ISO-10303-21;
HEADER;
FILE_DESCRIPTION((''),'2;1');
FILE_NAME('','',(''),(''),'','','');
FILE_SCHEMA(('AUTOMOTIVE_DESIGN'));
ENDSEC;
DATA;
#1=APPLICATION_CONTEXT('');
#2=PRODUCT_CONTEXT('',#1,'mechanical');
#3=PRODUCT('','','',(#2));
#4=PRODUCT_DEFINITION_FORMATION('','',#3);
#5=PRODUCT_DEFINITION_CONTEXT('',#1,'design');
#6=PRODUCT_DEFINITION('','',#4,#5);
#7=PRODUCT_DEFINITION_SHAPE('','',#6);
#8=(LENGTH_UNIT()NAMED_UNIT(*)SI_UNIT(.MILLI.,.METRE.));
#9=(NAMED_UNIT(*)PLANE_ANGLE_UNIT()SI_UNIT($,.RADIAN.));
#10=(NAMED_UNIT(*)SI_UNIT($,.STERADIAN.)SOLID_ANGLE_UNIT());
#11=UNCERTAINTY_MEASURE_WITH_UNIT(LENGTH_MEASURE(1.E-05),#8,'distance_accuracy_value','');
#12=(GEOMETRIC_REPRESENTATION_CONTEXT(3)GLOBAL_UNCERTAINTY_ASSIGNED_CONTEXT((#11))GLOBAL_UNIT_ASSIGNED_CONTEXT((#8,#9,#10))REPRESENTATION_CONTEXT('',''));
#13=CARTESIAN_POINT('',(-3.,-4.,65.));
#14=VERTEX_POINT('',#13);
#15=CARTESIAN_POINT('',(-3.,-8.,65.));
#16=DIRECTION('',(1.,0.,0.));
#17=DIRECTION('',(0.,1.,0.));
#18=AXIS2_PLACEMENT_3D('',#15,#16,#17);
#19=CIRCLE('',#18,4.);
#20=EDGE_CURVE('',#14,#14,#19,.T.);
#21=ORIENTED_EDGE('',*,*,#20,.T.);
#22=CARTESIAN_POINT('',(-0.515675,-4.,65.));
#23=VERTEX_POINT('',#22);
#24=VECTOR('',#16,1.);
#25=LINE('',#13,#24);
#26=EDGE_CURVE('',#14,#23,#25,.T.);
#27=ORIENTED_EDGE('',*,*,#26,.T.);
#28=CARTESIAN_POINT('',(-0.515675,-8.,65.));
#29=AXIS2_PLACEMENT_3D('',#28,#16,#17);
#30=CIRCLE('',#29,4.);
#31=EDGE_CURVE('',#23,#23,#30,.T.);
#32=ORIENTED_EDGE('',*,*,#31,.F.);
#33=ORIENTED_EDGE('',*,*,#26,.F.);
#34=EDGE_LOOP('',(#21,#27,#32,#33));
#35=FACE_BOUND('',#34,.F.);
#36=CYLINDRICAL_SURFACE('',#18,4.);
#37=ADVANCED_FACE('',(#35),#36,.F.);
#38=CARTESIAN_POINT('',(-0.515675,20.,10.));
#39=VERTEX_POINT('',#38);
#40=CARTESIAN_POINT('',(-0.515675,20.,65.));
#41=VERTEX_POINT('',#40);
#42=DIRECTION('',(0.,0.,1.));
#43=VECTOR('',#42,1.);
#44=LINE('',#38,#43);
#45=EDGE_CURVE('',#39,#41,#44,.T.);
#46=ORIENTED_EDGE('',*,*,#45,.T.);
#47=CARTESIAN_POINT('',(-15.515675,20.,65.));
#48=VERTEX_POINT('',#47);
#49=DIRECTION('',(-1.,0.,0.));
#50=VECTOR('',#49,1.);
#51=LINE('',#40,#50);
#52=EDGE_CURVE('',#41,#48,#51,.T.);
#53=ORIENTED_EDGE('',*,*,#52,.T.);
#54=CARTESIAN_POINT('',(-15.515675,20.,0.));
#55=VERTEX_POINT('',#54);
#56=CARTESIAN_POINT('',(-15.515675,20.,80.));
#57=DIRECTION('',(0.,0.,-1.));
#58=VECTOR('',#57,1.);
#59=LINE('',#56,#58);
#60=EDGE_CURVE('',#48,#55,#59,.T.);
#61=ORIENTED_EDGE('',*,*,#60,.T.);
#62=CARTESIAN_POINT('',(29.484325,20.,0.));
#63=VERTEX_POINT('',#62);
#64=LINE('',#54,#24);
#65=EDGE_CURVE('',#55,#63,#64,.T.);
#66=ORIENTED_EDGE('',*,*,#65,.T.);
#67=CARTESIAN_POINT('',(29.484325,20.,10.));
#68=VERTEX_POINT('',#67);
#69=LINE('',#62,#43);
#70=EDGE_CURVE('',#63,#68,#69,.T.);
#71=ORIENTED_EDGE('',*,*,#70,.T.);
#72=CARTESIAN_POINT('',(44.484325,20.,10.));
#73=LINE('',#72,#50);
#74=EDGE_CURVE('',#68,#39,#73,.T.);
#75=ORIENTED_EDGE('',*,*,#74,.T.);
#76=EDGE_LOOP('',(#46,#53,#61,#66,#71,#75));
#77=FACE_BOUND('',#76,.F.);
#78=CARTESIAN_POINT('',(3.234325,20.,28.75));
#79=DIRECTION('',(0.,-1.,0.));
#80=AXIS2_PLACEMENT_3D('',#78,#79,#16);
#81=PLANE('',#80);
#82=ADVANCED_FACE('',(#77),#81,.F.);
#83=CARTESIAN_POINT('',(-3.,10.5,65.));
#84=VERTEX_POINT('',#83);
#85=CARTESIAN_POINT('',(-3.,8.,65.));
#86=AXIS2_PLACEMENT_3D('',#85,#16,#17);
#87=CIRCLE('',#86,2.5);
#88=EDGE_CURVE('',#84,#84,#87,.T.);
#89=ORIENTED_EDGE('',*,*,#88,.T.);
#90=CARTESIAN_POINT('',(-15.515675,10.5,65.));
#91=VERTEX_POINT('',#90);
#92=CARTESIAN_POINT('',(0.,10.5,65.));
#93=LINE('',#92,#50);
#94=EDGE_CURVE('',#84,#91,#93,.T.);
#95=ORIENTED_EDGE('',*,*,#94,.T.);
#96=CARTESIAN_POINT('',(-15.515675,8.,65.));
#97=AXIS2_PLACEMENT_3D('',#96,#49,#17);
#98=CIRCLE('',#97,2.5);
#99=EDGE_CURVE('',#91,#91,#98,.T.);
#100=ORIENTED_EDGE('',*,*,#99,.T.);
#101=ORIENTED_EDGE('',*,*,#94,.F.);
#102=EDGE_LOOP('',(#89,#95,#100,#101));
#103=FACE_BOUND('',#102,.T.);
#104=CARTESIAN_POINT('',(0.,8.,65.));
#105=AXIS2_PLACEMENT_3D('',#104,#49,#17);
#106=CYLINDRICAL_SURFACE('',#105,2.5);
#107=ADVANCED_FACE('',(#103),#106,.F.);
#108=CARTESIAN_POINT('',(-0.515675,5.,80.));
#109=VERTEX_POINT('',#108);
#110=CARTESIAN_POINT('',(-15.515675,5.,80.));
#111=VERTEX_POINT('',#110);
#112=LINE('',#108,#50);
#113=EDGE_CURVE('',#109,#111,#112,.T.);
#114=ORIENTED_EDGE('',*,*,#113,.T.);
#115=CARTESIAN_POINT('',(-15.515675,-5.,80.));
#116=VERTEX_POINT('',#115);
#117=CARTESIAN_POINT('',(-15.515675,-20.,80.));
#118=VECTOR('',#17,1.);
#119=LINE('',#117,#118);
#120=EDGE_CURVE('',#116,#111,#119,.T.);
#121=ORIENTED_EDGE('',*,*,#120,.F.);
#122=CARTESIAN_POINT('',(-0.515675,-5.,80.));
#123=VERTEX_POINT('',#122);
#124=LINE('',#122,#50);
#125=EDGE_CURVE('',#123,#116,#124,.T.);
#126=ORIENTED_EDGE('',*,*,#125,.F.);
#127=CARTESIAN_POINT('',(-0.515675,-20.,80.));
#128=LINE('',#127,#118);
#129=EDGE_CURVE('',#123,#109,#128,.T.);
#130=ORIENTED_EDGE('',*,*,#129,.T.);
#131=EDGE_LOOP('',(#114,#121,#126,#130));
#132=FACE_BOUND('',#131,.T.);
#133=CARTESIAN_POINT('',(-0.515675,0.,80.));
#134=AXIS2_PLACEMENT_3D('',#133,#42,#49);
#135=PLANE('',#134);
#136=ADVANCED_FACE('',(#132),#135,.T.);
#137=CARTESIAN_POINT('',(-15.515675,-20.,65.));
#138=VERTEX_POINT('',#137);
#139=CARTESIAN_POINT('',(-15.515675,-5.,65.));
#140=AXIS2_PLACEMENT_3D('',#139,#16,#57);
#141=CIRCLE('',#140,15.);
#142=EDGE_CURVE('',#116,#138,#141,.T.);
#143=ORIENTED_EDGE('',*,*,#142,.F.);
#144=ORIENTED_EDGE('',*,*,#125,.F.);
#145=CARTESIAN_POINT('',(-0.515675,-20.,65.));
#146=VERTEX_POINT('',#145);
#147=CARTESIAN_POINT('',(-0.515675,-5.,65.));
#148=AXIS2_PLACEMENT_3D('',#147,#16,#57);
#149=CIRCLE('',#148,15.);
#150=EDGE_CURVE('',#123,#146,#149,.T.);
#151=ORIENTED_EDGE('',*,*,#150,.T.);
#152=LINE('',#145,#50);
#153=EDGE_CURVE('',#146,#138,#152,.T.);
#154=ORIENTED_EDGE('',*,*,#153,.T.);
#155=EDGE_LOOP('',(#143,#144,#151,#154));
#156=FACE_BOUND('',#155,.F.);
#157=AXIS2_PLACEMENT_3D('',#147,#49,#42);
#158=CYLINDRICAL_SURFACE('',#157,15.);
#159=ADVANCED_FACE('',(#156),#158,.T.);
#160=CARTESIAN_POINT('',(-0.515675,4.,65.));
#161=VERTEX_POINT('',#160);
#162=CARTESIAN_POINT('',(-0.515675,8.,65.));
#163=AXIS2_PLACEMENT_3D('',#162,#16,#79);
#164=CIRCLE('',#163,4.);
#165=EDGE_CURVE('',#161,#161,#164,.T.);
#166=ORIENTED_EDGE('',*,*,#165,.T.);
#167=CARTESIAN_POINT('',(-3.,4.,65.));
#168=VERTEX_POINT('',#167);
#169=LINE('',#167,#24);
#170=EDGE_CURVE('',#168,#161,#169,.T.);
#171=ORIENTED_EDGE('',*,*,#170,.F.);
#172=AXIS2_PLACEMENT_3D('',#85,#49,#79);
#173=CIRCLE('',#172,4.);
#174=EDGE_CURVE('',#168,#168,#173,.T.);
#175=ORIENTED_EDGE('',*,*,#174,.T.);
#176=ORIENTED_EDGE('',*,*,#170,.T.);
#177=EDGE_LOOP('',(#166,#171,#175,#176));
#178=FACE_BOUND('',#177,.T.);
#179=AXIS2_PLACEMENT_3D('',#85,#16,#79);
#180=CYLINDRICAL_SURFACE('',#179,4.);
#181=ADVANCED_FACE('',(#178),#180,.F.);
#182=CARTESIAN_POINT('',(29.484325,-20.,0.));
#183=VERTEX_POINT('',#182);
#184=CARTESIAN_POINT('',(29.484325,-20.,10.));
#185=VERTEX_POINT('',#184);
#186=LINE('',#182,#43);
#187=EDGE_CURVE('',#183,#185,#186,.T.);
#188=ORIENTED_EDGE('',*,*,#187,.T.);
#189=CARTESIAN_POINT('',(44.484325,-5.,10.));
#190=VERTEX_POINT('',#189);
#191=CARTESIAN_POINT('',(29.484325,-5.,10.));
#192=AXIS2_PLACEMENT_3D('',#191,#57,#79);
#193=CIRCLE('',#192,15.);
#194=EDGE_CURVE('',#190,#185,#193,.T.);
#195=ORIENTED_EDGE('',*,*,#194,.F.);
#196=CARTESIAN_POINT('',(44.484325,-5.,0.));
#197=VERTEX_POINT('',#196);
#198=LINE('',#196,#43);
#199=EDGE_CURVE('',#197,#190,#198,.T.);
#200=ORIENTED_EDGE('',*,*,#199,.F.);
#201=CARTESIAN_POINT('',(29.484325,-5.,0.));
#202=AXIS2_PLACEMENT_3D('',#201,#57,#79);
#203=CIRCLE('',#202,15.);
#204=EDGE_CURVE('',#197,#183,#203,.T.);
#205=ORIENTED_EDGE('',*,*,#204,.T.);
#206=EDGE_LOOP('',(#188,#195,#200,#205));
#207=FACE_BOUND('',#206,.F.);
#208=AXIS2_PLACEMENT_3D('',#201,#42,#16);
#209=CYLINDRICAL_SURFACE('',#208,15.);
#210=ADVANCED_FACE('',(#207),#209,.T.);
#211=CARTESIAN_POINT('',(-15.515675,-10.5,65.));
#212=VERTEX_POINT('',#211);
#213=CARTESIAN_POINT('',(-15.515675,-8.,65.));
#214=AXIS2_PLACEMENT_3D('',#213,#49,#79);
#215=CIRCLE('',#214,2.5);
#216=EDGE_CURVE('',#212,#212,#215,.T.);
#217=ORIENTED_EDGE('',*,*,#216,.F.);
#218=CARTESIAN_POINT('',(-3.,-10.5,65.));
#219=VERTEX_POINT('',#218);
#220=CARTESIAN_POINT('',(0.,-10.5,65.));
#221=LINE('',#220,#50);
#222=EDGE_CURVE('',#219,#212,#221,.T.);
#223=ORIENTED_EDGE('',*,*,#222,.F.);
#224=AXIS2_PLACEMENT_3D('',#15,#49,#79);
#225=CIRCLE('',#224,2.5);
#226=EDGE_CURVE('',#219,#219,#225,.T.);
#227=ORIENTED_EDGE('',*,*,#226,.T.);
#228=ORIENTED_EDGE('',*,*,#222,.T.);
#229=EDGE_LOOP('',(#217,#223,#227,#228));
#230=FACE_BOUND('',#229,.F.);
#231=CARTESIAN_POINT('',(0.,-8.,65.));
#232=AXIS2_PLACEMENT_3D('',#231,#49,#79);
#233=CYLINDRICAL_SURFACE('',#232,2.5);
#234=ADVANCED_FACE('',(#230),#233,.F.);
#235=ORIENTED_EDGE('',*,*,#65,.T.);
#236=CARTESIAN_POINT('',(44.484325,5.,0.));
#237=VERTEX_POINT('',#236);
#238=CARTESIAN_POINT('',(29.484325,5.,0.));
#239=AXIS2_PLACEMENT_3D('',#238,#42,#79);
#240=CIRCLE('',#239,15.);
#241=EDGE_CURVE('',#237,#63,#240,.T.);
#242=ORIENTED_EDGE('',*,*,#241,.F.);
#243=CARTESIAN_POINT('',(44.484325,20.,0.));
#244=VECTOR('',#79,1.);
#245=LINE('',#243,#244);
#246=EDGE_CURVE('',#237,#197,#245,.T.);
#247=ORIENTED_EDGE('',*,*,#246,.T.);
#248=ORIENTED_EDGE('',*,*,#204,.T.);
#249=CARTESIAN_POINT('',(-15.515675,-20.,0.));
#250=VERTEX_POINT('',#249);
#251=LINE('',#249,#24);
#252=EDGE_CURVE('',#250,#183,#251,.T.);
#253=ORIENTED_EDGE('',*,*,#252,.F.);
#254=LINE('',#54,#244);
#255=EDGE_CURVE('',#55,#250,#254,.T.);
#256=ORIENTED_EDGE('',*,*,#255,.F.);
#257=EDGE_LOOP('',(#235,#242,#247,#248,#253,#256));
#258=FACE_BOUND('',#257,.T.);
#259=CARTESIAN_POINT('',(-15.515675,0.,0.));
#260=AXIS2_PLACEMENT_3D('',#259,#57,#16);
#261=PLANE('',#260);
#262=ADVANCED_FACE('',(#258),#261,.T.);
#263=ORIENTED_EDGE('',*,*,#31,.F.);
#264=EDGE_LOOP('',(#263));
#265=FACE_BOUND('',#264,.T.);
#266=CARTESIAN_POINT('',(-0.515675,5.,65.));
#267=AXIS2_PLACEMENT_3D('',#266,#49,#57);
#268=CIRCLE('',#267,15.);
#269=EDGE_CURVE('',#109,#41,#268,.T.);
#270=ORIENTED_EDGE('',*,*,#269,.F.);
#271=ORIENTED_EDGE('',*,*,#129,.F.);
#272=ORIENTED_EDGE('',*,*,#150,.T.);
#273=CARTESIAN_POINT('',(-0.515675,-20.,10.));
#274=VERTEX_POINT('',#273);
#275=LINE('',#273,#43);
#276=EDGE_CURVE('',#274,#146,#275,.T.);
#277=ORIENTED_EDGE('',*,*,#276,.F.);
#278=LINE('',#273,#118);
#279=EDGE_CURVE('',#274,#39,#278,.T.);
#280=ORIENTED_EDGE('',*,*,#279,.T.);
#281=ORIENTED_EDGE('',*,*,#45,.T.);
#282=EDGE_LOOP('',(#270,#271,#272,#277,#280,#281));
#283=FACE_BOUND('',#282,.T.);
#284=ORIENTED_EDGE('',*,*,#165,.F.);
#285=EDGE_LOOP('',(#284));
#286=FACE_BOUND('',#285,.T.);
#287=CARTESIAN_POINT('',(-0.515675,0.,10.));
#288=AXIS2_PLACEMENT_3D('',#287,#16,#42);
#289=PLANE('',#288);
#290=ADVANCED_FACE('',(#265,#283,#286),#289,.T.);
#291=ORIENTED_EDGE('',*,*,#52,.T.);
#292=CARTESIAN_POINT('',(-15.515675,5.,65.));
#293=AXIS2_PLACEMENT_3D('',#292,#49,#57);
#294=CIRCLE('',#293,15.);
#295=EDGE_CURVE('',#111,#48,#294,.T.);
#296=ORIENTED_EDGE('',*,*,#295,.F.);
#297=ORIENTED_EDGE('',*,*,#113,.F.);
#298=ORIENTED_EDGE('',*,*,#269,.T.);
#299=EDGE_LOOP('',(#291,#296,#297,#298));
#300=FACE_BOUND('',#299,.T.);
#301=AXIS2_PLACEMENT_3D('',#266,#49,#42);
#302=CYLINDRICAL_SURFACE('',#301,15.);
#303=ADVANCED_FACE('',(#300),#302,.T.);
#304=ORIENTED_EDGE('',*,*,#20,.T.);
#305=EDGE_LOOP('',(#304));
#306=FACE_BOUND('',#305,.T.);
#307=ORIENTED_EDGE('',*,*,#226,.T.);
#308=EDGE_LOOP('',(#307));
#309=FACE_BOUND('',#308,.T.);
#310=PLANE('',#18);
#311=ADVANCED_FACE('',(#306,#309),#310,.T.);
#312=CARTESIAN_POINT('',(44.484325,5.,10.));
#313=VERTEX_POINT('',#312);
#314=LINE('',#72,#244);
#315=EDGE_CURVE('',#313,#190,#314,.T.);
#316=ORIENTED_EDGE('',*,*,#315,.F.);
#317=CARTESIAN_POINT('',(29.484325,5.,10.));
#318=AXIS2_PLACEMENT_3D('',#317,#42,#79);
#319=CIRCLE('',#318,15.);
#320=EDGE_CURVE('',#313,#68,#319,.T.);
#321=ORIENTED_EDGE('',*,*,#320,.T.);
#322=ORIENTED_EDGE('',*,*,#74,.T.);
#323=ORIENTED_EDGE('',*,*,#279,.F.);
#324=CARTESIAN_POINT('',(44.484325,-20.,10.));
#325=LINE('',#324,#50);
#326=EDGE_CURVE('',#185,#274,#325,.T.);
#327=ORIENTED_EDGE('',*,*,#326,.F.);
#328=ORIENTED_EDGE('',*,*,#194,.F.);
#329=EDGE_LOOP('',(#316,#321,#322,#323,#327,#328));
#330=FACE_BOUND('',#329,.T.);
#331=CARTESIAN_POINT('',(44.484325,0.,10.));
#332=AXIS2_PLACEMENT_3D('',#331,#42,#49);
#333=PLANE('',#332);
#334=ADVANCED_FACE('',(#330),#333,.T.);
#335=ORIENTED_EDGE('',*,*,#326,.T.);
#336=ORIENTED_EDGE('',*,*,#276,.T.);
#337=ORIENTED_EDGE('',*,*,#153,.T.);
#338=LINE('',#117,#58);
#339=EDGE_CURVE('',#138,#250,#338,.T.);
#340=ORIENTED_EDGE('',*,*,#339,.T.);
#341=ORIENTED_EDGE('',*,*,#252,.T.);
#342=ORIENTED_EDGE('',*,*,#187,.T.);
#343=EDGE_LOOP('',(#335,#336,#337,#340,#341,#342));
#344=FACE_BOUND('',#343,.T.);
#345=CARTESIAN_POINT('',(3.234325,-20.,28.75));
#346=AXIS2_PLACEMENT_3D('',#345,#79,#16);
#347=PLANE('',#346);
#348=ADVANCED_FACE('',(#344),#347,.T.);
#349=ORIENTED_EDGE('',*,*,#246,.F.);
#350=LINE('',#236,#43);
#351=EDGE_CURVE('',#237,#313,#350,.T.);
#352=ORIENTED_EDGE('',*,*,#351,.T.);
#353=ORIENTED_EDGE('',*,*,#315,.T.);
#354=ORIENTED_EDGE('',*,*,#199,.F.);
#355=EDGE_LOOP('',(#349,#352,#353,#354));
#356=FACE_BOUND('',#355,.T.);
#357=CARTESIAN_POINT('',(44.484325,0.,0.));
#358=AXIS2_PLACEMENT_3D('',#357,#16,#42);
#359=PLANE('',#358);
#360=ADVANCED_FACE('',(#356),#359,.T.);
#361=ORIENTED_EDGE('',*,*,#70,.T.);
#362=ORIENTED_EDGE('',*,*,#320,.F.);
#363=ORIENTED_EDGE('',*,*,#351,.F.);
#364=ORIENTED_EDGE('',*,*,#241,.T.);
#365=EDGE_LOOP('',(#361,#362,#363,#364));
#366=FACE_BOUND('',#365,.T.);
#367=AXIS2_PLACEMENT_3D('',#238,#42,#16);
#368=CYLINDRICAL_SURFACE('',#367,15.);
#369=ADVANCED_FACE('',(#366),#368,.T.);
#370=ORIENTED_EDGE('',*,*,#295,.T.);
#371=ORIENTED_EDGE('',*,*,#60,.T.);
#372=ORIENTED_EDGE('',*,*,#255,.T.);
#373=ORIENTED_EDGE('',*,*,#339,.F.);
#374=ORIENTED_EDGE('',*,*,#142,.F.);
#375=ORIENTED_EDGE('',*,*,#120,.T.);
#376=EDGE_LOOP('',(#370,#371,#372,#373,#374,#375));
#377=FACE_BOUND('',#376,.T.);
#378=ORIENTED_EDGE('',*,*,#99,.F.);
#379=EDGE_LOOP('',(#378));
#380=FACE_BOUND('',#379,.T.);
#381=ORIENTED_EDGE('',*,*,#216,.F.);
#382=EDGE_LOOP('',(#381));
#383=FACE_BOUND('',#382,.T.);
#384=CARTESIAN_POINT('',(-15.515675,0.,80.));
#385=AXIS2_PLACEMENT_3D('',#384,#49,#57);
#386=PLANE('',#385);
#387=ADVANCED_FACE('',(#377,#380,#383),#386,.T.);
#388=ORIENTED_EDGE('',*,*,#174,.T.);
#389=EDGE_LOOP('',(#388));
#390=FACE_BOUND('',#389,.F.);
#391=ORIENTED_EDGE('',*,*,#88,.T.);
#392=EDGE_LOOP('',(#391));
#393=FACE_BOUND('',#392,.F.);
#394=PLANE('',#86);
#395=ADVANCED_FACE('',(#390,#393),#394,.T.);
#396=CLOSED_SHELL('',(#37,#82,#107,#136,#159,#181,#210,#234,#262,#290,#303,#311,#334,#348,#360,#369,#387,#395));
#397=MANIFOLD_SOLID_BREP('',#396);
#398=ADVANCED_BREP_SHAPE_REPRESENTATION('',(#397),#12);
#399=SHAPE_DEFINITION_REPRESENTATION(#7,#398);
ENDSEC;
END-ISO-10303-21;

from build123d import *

# Parameters (mm, degrees)
PAD_DEPTH        = 20
FILLET_R         = 15
HOLE_D           = 5
HOLE_CBORE_D     = 8
HOLE_CBORE_DEPTH = 3


with BuildPart() as part:
    # Sketch → Pad (new body, symmetric)
    with BuildSketch(Plane.XZ):
        Polygon((-15.515675, 80), (-15.515675, 0), (44.484325, 0), (44.484325, 10), (-0.515675, 10), (-0.515675, 80), align=None)
    extrude(amount=PAD_DEPTH, both=True)

    # Fillet
    fillet_edges = [part.edges().sort_by_distance(p)[0] for p in [
        (-8.015675, 20, 80),
        (-8.015675, -20, 80),
        (44.484325, 20, 5),
        (44.484325, -20, 5),
    ]]
    fillet(fillet_edges, radius=FILLET_R)

    # Hole (through all)
    with Locations(Plane.YZ):
        with Locations((-8, 65)):
            hole = CounterBoreHole(HOLE_D / 2, HOLE_CBORE_D / 2, HOLE_CBORE_DEPTH)

    # Mirrored: Hole across XZ
    add(hole.mirror(Plane.XZ), mode=Mode.SUBTRACT)


solid = part.part
